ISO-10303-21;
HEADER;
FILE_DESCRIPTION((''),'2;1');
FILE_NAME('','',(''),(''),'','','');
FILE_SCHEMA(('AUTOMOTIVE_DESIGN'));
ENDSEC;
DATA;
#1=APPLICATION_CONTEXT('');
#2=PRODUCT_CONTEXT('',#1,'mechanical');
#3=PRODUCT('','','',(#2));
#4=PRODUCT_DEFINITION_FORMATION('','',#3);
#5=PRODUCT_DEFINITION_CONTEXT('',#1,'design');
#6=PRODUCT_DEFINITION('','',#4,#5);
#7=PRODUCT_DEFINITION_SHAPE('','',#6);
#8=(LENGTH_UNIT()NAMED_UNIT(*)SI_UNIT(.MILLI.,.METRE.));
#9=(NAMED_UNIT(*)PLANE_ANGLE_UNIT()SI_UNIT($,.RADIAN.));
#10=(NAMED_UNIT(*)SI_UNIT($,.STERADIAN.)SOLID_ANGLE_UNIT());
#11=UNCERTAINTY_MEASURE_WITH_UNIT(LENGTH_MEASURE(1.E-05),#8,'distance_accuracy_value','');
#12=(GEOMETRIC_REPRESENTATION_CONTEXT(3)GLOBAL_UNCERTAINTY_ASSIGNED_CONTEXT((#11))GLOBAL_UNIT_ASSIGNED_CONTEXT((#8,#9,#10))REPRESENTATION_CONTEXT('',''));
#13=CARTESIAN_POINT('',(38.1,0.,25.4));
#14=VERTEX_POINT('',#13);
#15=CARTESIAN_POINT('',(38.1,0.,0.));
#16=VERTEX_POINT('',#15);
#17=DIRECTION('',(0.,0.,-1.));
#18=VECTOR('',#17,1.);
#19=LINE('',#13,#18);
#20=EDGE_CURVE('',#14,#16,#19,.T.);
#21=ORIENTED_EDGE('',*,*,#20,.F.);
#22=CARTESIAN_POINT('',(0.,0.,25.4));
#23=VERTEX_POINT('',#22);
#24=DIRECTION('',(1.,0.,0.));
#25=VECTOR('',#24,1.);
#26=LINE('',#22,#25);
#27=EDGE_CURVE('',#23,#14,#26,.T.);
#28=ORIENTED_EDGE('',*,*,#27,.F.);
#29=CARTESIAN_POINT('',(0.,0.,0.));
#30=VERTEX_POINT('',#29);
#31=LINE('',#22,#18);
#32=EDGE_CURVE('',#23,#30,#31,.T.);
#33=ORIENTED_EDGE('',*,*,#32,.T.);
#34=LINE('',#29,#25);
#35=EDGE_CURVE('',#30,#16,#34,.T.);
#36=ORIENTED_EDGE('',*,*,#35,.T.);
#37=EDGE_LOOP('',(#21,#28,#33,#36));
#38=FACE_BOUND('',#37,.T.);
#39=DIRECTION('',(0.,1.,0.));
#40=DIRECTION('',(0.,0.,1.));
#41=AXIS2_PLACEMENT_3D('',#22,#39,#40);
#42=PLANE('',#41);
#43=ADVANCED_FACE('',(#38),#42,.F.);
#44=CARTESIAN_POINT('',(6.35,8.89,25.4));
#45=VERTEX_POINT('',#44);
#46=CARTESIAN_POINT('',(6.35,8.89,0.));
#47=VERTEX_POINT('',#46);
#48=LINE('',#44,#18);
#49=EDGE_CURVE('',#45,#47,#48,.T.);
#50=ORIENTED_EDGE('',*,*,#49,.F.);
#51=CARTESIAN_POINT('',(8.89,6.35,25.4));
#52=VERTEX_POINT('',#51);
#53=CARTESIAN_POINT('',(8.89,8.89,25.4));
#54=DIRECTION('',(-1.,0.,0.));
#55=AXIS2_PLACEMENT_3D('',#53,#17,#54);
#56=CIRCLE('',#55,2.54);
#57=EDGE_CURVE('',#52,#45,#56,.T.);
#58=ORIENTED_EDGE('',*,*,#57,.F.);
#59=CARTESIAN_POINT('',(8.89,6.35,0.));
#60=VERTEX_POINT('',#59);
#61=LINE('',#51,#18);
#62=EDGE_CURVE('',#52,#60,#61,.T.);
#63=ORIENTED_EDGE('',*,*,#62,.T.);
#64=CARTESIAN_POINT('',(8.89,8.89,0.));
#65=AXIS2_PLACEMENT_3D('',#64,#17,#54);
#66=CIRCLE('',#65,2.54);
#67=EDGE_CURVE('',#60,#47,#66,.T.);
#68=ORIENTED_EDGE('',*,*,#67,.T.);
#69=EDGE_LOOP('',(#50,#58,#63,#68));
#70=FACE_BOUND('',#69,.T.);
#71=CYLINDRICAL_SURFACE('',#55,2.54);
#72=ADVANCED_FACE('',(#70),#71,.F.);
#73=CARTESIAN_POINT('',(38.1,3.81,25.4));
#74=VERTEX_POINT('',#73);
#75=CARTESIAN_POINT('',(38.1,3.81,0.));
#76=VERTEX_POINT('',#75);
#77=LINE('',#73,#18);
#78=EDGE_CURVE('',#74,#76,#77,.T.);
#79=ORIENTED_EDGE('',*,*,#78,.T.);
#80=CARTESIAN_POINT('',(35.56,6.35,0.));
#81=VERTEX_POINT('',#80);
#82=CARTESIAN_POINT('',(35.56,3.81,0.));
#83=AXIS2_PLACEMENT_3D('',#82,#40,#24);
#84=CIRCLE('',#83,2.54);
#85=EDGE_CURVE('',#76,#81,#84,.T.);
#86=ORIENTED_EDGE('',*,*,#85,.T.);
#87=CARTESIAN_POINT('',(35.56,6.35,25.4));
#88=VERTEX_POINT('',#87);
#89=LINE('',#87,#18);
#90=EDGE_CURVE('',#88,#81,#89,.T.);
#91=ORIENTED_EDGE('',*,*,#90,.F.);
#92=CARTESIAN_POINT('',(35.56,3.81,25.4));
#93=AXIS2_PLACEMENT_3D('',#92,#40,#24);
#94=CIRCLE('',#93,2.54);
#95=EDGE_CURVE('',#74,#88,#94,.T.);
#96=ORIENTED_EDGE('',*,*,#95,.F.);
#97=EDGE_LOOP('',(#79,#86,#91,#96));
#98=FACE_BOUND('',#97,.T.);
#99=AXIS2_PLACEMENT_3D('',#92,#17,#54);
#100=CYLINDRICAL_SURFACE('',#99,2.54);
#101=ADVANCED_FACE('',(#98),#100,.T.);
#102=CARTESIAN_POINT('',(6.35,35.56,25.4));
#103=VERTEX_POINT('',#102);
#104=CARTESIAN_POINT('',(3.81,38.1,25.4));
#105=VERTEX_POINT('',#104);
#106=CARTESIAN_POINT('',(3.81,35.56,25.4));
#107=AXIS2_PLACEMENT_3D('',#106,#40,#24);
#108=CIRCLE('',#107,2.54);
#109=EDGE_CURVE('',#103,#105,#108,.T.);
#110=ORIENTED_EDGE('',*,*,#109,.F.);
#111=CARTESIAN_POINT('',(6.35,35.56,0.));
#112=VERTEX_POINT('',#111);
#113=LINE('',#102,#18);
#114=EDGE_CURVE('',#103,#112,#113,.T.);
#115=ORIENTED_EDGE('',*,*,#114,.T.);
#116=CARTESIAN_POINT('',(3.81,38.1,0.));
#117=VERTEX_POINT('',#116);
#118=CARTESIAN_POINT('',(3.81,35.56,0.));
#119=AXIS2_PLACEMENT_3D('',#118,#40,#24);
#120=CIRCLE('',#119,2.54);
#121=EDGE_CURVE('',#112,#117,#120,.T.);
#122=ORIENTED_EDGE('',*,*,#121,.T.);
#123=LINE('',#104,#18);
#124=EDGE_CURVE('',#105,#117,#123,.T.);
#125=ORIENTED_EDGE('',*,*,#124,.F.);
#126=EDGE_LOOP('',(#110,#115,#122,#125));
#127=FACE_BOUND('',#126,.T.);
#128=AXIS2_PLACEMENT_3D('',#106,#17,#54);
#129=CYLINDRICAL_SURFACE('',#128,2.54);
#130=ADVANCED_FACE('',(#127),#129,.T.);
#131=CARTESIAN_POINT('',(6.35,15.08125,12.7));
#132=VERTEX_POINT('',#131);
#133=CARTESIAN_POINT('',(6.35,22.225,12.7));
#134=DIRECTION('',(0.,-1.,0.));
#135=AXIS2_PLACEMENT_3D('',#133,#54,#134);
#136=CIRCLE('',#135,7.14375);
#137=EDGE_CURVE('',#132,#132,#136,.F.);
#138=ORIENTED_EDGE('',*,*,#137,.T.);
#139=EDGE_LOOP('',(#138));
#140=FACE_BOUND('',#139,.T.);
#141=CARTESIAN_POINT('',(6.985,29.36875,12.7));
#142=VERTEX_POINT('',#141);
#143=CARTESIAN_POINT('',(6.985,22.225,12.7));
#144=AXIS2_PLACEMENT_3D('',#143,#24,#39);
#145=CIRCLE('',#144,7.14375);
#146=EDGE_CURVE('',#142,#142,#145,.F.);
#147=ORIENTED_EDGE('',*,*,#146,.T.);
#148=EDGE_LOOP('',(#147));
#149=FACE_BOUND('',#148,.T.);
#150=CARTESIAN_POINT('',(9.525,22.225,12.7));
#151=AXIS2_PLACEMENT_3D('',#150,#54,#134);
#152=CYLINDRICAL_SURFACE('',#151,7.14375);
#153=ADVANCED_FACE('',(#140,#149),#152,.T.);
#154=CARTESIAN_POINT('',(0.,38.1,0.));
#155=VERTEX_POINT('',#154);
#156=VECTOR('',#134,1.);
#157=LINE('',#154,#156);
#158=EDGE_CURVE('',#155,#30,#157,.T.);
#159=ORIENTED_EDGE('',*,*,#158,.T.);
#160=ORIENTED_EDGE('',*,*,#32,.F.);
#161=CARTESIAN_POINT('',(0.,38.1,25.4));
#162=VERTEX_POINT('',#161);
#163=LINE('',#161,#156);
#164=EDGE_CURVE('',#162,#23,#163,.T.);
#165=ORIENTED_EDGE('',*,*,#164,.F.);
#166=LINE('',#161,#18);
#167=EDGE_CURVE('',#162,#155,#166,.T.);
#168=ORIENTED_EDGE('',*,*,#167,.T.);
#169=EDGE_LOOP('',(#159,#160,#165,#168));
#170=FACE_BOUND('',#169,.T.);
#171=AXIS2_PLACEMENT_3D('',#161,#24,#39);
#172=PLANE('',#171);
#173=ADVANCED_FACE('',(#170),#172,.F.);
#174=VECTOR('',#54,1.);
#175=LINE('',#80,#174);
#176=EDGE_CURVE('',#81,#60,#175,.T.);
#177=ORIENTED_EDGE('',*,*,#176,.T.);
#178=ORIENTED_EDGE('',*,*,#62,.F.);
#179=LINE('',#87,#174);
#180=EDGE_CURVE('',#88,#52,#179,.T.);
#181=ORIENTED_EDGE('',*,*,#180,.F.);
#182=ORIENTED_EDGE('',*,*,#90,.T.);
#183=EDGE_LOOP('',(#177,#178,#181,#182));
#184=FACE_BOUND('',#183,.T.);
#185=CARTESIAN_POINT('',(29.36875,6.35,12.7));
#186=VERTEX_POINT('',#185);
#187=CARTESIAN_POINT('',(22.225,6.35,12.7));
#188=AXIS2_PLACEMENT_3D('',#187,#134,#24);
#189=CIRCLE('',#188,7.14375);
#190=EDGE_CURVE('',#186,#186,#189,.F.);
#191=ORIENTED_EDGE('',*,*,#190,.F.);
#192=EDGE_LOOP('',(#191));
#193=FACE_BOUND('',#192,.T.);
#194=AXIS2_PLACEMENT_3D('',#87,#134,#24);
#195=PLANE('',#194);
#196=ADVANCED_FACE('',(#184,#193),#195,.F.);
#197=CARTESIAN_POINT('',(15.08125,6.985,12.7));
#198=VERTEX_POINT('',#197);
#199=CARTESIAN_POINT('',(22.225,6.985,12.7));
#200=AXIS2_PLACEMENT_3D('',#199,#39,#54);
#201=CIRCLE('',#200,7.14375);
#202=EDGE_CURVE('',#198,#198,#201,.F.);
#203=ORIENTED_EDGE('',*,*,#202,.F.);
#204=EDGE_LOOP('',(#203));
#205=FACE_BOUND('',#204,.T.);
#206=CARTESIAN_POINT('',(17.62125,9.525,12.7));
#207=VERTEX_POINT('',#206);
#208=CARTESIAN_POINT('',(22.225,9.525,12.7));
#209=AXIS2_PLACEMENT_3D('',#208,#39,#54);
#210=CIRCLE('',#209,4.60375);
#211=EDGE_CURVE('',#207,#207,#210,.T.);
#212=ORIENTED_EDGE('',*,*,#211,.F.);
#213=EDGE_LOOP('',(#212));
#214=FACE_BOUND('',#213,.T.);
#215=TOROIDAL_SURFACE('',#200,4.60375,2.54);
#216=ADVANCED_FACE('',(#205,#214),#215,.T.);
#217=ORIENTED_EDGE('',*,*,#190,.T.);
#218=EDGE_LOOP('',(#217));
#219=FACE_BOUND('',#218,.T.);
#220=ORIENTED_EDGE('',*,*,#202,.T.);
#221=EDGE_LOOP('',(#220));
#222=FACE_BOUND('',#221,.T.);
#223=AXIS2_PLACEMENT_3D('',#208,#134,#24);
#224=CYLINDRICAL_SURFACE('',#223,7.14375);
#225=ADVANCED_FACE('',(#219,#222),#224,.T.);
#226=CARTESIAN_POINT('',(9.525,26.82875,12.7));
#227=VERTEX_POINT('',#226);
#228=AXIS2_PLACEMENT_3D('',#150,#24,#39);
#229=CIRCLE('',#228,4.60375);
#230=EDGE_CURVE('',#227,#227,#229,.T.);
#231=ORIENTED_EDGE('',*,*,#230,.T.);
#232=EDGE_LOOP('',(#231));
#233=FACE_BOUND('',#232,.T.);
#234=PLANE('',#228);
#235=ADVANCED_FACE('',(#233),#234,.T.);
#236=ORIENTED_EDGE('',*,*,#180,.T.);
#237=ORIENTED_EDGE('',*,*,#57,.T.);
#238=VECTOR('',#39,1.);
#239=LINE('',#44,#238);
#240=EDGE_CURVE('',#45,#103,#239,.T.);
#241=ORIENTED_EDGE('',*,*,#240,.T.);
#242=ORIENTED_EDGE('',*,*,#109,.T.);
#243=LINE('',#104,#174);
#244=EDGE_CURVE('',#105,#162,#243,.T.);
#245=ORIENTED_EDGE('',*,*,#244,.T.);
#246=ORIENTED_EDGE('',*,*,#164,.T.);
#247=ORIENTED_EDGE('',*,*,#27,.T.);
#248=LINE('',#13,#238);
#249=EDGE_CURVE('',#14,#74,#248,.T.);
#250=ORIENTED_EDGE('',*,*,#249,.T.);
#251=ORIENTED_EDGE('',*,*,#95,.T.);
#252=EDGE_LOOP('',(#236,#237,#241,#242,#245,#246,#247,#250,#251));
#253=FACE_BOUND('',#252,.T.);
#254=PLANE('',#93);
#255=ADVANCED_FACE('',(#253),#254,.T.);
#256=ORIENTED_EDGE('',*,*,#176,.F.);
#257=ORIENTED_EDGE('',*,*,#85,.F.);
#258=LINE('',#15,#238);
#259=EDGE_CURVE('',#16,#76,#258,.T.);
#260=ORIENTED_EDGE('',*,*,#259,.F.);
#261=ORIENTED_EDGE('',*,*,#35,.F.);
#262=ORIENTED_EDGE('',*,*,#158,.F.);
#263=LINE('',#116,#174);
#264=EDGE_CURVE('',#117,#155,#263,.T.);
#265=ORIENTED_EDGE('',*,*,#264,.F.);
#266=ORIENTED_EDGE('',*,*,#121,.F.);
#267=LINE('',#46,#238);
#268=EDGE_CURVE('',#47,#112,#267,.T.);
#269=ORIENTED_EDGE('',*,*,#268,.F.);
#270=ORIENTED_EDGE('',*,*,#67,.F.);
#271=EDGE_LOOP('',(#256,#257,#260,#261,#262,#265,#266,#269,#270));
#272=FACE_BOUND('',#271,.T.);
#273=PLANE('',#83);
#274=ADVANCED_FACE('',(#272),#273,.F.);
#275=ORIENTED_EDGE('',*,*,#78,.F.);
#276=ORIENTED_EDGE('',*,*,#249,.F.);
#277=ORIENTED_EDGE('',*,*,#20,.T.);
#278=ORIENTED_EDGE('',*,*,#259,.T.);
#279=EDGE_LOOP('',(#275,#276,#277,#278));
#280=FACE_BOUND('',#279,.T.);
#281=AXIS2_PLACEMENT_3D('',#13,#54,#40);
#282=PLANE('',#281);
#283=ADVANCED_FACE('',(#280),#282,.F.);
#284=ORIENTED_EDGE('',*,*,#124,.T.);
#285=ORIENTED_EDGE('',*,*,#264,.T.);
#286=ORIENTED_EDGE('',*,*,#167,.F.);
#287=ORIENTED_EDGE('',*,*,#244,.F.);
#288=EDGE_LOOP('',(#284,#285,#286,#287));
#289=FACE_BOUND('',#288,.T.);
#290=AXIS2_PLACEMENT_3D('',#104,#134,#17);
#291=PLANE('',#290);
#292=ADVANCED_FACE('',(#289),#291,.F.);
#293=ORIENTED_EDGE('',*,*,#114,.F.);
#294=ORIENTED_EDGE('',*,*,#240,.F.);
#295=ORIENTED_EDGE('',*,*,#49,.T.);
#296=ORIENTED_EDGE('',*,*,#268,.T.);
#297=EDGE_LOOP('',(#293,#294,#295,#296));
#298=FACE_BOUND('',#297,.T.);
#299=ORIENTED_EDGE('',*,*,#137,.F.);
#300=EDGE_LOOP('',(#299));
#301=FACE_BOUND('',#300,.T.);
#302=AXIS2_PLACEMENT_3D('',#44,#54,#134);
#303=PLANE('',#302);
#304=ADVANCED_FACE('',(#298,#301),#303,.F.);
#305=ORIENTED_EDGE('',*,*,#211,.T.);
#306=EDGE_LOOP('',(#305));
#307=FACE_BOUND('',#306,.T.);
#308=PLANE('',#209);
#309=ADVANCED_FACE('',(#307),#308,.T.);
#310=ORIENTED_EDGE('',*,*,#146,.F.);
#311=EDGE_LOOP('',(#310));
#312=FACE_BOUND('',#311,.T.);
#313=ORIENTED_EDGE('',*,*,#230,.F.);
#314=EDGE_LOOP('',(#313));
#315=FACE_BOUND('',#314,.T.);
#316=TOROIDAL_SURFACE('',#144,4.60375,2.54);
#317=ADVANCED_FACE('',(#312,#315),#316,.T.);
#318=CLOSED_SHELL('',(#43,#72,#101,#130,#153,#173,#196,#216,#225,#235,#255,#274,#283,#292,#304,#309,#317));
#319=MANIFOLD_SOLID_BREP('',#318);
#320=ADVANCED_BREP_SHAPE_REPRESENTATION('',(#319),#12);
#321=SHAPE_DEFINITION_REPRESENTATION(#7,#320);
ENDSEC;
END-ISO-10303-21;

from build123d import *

# Parameters (mm, degrees)
BOSS_EXTRUDE1_DEPTH = 25.4
SKETCH2_R           = 7.14375
BOSS_EXTRUDE2_DEPTH = 3.175
FILLET1_R           = 2.54
SKETCH3_R           = 7.14375
BOSS_EXTRUDE3_DEPTH = 3.175
FILLET2_R           = 2.54


with BuildPart() as part:
    # Sketch1 → Boss-Extrude1 (new body)
    with BuildSketch(Plane.XY):
        with BuildLine():
            Line((0, 0), (38.1, 0))
            Line((38.1, 0), (38.1, 3.81))
            ThreePointArc((38.1, 3.81), (37.356051224, 5.606051224), (35.56, 6.35))
            Line((35.56, 6.35), (8.89, 6.35))
            ThreePointArc((8.89, 6.35), (7.093948776, 7.093948776), (6.35, 8.89))
            Line((6.35, 8.89), (6.35, 35.56))
            ThreePointArc((6.35, 35.56), (5.606051224, 37.356051224), (3.81, 38.1))
            Line((3.81, 38.1), (0, 38.1))
            Line((0, 38.1), (0, 0))
        make_face()
    extrude(amount=BOSS_EXTRUDE1_DEPTH)

    # Sketch2 → Boss-Extrude2 (add)
    with BuildSketch(Plane(origin=(0, 6.35, 0), x_dir=(1, 0, 0), z_dir=(0, 1, 0))):
        with Locations((22.225, -12.7)):
            Circle(SKETCH2_R)
    extrude(amount=BOSS_EXTRUDE2_DEPTH)

    # Fillet1
    fillet1_edges = [part.edges().sort_by_distance(p)[0] for p in [
        (15.08125, 9.525, 12.7),
    ]]
    fillet(fillet1_edges, radius=FILLET1_R)

    # Sketch3 → Boss-Extrude3 (add)
    with BuildSketch(Plane(origin=(6.35, 0, 0), x_dir=(0, 0, -1), z_dir=(1, 0, 0))):
        with Locations(Location((-12.7, 22.225, 0), (0, 0, 270))):
            Circle(SKETCH3_R)
    extrude(amount=BOSS_EXTRUDE3_DEPTH)

    # Fillet2
    fillet2_edges = [part.edges().sort_by_distance(p)[0] for p in [
        (9.525, 29.36875, 12.7),
    ]]
    fillet(fillet2_edges, radius=FILLET2_R)


solid = part.part
